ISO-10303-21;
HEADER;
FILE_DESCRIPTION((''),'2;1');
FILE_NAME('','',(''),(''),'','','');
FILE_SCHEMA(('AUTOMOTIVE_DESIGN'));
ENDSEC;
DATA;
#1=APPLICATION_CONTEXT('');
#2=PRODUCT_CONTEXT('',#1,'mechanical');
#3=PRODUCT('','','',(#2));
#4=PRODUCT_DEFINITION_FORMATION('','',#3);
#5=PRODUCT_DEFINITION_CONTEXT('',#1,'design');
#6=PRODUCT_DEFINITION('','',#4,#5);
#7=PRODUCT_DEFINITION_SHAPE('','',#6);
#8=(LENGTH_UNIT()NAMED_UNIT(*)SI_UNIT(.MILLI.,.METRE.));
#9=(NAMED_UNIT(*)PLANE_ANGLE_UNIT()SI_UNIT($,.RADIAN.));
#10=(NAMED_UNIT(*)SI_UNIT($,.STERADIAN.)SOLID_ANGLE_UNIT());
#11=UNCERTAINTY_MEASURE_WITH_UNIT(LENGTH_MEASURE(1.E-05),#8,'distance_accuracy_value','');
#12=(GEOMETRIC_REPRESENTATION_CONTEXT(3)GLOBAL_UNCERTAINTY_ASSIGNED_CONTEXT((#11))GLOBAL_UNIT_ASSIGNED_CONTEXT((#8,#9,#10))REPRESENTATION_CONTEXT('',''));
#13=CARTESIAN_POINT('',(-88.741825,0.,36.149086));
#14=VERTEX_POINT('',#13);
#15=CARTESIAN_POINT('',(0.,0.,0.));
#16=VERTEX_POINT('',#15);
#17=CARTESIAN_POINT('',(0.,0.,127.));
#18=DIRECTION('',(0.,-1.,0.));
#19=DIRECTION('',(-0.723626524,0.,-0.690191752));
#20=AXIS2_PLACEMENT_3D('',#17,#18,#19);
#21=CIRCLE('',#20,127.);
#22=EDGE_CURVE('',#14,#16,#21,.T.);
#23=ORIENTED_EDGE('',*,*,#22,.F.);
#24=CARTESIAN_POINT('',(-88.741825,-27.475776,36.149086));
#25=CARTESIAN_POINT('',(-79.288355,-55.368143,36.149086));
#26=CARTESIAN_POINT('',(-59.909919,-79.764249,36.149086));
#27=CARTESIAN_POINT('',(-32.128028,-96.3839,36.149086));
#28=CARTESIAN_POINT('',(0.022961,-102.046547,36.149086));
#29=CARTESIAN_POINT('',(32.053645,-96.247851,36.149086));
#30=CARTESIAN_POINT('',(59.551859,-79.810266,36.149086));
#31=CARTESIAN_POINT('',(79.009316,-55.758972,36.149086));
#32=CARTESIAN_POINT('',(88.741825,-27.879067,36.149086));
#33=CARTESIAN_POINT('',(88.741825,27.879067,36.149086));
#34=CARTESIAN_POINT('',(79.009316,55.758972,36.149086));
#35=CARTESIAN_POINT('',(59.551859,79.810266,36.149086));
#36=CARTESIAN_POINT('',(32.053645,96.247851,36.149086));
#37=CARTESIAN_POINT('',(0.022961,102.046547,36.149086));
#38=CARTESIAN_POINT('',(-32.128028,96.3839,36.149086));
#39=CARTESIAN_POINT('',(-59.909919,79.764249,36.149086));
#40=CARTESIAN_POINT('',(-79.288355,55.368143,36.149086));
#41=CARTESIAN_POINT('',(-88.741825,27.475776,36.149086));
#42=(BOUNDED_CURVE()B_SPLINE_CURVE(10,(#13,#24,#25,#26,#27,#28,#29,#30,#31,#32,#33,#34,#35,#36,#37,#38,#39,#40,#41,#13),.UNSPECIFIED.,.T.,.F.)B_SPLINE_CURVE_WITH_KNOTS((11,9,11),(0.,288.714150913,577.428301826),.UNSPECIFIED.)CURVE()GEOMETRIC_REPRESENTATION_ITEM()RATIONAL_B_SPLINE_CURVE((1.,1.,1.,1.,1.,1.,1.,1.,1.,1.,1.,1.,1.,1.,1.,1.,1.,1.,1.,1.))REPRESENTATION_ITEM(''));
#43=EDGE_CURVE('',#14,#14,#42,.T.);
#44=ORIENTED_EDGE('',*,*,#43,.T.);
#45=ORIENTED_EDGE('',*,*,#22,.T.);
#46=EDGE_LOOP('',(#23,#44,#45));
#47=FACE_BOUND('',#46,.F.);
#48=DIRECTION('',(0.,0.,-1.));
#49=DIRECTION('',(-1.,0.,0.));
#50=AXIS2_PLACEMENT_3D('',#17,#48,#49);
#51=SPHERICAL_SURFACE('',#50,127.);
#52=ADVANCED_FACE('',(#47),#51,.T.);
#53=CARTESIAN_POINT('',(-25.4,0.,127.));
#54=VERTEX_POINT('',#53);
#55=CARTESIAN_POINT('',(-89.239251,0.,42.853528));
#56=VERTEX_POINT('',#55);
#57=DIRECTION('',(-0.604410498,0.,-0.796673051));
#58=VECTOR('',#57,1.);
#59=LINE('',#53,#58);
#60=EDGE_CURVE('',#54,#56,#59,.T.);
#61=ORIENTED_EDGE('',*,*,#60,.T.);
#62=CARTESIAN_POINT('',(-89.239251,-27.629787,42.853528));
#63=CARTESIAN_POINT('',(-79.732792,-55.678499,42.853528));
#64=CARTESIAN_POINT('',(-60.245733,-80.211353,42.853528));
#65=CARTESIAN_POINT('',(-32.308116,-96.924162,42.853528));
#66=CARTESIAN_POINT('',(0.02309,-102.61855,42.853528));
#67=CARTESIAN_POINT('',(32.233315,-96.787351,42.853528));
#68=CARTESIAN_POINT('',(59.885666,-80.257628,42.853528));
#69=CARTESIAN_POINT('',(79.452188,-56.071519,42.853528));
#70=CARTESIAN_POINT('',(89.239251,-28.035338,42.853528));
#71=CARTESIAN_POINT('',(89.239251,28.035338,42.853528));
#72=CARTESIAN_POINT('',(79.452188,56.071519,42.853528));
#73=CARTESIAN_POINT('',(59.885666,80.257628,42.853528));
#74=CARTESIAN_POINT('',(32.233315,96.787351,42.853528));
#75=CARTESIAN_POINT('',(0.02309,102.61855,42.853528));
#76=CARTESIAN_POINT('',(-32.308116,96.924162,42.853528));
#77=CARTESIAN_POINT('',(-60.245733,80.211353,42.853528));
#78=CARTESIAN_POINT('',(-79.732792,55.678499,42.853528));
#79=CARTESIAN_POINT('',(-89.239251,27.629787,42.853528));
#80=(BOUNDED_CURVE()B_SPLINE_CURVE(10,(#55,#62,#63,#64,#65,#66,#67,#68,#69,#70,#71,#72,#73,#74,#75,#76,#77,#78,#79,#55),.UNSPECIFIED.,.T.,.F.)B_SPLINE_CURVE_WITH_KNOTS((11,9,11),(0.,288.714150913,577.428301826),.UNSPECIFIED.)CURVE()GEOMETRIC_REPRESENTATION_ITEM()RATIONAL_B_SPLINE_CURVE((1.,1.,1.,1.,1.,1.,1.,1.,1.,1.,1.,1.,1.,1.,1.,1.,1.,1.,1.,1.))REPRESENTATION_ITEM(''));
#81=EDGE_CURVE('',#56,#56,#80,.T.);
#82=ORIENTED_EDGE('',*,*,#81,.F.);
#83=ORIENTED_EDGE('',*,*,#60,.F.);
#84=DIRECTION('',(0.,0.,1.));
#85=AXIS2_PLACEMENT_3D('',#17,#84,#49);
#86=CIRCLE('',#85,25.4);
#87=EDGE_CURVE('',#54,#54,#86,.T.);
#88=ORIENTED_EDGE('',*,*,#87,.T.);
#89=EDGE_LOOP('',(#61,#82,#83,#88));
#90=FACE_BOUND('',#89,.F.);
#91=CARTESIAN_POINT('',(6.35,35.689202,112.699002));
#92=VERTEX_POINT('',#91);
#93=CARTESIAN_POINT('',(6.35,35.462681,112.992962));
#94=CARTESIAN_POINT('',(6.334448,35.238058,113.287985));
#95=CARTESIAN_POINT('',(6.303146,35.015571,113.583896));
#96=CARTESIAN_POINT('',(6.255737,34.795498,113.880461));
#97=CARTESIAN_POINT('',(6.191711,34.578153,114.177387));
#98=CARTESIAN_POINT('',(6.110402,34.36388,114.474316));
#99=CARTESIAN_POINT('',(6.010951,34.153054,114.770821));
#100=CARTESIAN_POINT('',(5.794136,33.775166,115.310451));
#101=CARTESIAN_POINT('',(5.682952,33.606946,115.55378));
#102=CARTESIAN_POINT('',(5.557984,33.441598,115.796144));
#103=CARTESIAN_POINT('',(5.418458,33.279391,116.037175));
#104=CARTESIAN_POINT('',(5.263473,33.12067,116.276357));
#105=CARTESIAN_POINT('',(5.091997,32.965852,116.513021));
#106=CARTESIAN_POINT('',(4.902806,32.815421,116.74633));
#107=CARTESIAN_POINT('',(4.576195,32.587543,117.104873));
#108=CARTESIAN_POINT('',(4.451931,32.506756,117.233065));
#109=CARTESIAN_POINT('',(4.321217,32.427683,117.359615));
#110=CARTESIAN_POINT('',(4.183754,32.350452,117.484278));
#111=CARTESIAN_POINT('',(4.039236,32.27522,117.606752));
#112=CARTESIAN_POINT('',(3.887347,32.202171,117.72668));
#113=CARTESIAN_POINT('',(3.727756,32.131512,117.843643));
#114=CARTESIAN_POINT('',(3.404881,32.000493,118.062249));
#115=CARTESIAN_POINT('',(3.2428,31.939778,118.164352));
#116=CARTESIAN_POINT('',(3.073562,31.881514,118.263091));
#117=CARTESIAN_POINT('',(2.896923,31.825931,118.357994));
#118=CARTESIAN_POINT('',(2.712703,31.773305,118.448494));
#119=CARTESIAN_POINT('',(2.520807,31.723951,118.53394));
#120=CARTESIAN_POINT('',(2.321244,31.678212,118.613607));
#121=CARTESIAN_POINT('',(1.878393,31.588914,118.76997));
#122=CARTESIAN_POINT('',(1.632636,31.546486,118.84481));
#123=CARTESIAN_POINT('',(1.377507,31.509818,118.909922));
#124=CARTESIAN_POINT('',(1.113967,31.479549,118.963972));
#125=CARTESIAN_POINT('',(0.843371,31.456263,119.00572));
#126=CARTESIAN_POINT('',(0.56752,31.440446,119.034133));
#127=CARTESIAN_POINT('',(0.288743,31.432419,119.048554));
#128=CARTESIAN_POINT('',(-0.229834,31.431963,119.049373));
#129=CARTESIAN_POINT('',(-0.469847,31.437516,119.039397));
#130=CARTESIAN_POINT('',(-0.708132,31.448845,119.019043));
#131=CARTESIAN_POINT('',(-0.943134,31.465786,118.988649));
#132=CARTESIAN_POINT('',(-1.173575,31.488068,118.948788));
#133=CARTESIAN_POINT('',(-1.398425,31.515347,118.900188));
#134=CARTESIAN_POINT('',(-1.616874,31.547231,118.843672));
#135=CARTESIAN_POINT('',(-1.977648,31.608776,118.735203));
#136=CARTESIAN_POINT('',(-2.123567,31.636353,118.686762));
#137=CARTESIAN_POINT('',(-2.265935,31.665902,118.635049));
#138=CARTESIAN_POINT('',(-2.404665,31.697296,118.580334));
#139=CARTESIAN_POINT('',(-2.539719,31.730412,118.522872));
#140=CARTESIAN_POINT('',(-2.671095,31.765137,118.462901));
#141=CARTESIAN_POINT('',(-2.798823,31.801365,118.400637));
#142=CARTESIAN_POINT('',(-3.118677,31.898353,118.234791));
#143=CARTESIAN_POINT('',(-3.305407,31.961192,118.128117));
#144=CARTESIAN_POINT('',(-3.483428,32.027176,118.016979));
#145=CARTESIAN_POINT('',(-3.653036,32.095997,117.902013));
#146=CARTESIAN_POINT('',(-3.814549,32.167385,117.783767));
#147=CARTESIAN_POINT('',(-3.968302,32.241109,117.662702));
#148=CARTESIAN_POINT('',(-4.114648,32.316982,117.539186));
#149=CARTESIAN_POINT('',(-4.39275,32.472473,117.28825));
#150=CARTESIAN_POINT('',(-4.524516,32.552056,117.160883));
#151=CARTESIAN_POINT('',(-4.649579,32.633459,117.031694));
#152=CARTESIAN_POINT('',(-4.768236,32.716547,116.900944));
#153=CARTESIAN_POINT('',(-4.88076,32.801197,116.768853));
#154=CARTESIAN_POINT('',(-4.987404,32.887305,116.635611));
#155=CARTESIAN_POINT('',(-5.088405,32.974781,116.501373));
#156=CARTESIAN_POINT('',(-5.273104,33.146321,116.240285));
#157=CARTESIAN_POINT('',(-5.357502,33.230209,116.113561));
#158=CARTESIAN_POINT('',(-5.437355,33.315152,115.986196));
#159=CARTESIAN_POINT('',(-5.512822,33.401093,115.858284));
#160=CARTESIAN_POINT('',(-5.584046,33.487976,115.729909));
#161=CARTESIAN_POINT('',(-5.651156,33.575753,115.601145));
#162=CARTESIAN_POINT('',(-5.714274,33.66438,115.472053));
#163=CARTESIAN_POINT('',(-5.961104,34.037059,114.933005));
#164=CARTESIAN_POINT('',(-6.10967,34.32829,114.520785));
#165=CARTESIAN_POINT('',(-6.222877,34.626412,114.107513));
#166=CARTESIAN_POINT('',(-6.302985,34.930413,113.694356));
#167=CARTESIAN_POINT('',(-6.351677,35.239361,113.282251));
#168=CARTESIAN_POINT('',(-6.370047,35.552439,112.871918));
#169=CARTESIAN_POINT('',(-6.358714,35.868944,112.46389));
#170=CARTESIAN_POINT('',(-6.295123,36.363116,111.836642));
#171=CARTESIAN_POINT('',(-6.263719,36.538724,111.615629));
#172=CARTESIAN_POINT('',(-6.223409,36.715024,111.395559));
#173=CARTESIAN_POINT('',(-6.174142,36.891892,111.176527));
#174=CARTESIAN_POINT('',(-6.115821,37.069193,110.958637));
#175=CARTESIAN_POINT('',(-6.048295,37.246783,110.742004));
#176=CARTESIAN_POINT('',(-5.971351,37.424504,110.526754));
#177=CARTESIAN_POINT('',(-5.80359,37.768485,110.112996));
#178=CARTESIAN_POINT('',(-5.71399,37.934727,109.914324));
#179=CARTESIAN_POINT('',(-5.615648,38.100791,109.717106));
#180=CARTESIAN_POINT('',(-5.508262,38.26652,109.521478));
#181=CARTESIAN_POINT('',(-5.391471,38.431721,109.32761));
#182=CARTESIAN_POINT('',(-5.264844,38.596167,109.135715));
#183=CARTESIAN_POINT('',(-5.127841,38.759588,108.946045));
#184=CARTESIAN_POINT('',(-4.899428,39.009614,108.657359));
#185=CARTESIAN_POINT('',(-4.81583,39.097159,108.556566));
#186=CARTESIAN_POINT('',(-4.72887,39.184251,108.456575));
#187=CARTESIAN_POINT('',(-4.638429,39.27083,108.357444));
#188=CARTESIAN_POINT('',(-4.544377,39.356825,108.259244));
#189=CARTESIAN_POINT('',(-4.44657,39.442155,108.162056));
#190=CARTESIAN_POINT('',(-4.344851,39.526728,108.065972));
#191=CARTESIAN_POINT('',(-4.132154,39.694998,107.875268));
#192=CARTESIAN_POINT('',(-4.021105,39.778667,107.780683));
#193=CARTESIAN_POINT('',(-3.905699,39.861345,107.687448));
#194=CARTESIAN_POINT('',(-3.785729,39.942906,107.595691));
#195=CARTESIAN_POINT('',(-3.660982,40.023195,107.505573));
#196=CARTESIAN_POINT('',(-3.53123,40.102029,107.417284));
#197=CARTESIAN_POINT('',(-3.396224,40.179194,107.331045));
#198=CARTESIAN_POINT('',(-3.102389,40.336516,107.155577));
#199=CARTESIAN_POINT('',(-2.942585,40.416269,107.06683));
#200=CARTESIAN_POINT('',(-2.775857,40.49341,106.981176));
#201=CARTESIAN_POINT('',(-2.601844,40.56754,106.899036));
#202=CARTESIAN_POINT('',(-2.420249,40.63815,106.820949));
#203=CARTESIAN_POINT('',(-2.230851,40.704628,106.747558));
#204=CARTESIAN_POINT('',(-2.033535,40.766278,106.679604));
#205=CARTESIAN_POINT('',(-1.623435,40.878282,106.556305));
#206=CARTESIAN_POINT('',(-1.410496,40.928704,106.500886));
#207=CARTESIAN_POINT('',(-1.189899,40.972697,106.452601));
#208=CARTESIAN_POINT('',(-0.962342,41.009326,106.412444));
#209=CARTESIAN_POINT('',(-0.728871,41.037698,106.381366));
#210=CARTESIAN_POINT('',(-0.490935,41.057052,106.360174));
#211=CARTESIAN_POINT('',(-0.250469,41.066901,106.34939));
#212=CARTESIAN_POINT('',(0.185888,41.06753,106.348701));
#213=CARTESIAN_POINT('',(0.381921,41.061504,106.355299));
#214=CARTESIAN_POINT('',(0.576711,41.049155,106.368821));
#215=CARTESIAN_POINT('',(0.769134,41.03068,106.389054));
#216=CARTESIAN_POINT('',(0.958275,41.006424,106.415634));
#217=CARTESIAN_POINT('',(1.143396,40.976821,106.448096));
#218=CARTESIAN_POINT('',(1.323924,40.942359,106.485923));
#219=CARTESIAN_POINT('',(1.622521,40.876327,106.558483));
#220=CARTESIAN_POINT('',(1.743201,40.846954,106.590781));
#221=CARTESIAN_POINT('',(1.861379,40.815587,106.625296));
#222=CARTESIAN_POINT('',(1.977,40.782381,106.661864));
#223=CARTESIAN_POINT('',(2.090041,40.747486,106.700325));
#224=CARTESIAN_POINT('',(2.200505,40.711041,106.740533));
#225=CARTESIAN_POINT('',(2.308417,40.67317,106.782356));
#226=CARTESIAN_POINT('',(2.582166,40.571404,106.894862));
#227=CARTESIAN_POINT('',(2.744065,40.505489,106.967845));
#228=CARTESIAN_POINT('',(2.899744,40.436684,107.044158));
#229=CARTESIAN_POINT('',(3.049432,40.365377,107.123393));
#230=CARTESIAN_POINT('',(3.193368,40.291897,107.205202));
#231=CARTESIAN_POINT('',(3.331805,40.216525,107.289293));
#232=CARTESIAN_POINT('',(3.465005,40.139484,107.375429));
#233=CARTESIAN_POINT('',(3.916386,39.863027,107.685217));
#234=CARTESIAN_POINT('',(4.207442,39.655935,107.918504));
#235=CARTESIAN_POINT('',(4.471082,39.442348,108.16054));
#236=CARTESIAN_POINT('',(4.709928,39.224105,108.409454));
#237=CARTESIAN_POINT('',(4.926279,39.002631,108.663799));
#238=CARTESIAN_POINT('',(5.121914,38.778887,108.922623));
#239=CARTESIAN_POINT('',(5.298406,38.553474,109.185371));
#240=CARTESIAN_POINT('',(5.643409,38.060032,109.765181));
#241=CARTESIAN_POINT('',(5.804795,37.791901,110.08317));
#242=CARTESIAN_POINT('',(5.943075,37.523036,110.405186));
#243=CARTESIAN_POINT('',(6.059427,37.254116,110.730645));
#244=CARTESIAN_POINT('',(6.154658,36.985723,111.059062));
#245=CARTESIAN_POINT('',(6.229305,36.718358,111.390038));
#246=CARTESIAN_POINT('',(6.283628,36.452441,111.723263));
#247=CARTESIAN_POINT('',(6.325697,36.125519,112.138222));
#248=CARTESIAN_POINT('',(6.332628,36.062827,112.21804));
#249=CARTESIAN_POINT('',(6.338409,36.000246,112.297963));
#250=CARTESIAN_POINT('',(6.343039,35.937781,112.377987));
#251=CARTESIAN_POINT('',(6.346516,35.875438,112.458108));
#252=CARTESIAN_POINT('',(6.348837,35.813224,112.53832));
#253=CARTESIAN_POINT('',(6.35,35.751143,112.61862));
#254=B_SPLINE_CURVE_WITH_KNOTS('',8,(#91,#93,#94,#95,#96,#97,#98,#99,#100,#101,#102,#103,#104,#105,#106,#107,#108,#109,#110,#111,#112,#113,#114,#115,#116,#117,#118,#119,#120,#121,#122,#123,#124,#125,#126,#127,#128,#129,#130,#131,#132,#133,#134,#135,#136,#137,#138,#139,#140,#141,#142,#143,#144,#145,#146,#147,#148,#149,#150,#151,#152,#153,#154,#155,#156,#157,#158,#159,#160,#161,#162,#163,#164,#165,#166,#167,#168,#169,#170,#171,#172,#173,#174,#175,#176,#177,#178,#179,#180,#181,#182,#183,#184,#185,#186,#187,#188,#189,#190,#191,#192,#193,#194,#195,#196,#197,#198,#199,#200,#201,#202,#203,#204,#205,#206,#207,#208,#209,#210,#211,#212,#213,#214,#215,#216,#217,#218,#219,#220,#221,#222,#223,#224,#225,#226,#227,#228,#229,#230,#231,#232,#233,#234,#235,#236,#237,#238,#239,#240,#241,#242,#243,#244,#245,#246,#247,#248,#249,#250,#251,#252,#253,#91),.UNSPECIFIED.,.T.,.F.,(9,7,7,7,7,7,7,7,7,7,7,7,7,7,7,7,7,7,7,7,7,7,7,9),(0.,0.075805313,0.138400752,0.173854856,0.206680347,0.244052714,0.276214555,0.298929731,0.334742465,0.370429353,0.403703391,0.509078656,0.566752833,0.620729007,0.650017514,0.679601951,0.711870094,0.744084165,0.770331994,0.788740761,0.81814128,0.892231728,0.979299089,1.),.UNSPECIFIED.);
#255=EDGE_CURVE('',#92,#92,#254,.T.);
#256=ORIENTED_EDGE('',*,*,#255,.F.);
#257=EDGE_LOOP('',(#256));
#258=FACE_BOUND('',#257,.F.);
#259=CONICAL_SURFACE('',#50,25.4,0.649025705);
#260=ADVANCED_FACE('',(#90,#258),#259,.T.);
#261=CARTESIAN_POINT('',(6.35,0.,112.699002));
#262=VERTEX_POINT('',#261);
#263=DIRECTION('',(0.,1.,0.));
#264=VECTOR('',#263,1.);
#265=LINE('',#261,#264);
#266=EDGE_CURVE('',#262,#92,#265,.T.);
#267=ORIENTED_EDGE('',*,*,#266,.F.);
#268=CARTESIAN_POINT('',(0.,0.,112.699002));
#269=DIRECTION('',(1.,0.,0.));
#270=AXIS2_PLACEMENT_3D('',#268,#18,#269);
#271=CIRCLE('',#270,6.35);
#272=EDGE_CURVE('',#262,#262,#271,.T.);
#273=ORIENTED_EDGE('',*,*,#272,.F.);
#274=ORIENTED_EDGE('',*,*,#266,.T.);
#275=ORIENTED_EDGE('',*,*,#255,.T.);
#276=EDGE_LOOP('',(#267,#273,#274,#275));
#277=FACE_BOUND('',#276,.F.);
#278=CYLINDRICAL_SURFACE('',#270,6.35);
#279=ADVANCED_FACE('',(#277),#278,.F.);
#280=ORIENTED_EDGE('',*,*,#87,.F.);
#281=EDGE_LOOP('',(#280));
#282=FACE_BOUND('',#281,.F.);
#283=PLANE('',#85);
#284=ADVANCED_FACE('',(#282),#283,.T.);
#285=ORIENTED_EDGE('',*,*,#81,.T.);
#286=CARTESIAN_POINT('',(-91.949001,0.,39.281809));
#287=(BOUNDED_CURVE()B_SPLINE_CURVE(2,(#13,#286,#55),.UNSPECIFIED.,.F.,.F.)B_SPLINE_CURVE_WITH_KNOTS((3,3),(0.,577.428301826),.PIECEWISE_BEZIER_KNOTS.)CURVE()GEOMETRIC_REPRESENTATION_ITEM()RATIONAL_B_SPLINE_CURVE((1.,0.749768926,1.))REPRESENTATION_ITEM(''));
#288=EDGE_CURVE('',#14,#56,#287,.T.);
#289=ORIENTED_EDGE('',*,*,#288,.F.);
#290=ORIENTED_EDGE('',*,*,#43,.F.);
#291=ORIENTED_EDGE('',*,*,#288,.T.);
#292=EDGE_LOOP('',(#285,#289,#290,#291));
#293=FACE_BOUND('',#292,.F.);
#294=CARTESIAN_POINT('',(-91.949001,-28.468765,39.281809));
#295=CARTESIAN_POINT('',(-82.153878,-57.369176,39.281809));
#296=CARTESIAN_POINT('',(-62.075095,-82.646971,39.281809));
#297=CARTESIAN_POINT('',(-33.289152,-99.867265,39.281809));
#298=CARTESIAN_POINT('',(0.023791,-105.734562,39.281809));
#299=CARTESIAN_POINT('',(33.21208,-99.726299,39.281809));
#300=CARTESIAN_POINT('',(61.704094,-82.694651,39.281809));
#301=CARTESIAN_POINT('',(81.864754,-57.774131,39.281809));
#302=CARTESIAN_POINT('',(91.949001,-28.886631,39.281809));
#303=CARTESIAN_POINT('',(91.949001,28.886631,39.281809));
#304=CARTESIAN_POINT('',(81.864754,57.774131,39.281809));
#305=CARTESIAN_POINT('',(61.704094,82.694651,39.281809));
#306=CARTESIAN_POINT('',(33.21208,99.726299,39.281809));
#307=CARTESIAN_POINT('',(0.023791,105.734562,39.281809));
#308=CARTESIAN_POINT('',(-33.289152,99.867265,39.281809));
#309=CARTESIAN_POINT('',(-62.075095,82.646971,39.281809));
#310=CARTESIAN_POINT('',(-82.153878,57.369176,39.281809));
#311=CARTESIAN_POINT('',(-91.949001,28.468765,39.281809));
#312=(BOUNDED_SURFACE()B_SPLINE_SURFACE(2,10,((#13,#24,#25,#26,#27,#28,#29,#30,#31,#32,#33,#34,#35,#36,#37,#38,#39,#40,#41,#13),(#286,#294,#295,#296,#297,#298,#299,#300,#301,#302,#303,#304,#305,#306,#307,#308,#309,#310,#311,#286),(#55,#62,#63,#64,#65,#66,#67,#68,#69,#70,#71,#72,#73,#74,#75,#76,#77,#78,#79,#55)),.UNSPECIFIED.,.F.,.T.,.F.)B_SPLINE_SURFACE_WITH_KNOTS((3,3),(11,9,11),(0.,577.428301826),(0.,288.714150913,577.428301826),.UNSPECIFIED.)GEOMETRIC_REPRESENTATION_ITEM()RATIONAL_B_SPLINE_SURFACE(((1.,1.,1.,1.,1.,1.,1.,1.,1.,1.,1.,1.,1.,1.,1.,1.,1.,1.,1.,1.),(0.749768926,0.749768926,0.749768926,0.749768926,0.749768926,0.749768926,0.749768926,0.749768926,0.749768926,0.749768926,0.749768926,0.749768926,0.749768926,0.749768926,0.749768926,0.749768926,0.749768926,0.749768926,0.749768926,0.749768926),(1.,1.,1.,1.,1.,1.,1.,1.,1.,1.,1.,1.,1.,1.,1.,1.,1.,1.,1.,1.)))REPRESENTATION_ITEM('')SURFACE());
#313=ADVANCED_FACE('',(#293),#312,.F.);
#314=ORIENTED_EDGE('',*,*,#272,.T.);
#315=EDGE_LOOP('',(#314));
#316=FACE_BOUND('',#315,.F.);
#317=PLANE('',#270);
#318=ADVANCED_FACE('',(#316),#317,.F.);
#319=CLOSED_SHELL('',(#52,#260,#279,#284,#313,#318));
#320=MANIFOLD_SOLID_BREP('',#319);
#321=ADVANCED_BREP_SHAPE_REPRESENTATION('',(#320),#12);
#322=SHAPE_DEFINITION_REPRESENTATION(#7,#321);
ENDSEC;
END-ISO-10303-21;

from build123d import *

# Parameters (mm, degrees)
F2_R     = 5.08
F4_D     = 12.7
F4_DEPTH = 90.273154499


with BuildPart() as f1:
    # F0 (on Front) → F1 (revolve)
    with BuildSketch(Plane.XZ):
        with BuildLine():
            ThreePointArc((-91.9005685167, 39.3456475336), (-49.9844837763, 10.2500476162), (0, 0))
            Line((0, 0), (0, 127))
            Line((0, 127), (-25.4, 127))
            Line((-25.4, 127), (-91.9005685167, 39.3456475336))
        make_face()
    revolve(axis=Axis((0, 0, 63.5), (0, 0, 1)))

    # F2
    f2_edges = [f1.edges().sort_by_distance(p)[0] for p in [
        (91.900569, 0, 39.345648),
    ]]
    fillet(f2_edges, radius=F2_R)

    # F4 (through all, one way)
    with BuildSketch(Plane.XZ):
        with Locations((0, 112.6990020275)):
            Circle(F4_D / 2)
    extrude(amount=-F4_DEPTH, mode=Mode.SUBTRACT)


solid = f1.part
